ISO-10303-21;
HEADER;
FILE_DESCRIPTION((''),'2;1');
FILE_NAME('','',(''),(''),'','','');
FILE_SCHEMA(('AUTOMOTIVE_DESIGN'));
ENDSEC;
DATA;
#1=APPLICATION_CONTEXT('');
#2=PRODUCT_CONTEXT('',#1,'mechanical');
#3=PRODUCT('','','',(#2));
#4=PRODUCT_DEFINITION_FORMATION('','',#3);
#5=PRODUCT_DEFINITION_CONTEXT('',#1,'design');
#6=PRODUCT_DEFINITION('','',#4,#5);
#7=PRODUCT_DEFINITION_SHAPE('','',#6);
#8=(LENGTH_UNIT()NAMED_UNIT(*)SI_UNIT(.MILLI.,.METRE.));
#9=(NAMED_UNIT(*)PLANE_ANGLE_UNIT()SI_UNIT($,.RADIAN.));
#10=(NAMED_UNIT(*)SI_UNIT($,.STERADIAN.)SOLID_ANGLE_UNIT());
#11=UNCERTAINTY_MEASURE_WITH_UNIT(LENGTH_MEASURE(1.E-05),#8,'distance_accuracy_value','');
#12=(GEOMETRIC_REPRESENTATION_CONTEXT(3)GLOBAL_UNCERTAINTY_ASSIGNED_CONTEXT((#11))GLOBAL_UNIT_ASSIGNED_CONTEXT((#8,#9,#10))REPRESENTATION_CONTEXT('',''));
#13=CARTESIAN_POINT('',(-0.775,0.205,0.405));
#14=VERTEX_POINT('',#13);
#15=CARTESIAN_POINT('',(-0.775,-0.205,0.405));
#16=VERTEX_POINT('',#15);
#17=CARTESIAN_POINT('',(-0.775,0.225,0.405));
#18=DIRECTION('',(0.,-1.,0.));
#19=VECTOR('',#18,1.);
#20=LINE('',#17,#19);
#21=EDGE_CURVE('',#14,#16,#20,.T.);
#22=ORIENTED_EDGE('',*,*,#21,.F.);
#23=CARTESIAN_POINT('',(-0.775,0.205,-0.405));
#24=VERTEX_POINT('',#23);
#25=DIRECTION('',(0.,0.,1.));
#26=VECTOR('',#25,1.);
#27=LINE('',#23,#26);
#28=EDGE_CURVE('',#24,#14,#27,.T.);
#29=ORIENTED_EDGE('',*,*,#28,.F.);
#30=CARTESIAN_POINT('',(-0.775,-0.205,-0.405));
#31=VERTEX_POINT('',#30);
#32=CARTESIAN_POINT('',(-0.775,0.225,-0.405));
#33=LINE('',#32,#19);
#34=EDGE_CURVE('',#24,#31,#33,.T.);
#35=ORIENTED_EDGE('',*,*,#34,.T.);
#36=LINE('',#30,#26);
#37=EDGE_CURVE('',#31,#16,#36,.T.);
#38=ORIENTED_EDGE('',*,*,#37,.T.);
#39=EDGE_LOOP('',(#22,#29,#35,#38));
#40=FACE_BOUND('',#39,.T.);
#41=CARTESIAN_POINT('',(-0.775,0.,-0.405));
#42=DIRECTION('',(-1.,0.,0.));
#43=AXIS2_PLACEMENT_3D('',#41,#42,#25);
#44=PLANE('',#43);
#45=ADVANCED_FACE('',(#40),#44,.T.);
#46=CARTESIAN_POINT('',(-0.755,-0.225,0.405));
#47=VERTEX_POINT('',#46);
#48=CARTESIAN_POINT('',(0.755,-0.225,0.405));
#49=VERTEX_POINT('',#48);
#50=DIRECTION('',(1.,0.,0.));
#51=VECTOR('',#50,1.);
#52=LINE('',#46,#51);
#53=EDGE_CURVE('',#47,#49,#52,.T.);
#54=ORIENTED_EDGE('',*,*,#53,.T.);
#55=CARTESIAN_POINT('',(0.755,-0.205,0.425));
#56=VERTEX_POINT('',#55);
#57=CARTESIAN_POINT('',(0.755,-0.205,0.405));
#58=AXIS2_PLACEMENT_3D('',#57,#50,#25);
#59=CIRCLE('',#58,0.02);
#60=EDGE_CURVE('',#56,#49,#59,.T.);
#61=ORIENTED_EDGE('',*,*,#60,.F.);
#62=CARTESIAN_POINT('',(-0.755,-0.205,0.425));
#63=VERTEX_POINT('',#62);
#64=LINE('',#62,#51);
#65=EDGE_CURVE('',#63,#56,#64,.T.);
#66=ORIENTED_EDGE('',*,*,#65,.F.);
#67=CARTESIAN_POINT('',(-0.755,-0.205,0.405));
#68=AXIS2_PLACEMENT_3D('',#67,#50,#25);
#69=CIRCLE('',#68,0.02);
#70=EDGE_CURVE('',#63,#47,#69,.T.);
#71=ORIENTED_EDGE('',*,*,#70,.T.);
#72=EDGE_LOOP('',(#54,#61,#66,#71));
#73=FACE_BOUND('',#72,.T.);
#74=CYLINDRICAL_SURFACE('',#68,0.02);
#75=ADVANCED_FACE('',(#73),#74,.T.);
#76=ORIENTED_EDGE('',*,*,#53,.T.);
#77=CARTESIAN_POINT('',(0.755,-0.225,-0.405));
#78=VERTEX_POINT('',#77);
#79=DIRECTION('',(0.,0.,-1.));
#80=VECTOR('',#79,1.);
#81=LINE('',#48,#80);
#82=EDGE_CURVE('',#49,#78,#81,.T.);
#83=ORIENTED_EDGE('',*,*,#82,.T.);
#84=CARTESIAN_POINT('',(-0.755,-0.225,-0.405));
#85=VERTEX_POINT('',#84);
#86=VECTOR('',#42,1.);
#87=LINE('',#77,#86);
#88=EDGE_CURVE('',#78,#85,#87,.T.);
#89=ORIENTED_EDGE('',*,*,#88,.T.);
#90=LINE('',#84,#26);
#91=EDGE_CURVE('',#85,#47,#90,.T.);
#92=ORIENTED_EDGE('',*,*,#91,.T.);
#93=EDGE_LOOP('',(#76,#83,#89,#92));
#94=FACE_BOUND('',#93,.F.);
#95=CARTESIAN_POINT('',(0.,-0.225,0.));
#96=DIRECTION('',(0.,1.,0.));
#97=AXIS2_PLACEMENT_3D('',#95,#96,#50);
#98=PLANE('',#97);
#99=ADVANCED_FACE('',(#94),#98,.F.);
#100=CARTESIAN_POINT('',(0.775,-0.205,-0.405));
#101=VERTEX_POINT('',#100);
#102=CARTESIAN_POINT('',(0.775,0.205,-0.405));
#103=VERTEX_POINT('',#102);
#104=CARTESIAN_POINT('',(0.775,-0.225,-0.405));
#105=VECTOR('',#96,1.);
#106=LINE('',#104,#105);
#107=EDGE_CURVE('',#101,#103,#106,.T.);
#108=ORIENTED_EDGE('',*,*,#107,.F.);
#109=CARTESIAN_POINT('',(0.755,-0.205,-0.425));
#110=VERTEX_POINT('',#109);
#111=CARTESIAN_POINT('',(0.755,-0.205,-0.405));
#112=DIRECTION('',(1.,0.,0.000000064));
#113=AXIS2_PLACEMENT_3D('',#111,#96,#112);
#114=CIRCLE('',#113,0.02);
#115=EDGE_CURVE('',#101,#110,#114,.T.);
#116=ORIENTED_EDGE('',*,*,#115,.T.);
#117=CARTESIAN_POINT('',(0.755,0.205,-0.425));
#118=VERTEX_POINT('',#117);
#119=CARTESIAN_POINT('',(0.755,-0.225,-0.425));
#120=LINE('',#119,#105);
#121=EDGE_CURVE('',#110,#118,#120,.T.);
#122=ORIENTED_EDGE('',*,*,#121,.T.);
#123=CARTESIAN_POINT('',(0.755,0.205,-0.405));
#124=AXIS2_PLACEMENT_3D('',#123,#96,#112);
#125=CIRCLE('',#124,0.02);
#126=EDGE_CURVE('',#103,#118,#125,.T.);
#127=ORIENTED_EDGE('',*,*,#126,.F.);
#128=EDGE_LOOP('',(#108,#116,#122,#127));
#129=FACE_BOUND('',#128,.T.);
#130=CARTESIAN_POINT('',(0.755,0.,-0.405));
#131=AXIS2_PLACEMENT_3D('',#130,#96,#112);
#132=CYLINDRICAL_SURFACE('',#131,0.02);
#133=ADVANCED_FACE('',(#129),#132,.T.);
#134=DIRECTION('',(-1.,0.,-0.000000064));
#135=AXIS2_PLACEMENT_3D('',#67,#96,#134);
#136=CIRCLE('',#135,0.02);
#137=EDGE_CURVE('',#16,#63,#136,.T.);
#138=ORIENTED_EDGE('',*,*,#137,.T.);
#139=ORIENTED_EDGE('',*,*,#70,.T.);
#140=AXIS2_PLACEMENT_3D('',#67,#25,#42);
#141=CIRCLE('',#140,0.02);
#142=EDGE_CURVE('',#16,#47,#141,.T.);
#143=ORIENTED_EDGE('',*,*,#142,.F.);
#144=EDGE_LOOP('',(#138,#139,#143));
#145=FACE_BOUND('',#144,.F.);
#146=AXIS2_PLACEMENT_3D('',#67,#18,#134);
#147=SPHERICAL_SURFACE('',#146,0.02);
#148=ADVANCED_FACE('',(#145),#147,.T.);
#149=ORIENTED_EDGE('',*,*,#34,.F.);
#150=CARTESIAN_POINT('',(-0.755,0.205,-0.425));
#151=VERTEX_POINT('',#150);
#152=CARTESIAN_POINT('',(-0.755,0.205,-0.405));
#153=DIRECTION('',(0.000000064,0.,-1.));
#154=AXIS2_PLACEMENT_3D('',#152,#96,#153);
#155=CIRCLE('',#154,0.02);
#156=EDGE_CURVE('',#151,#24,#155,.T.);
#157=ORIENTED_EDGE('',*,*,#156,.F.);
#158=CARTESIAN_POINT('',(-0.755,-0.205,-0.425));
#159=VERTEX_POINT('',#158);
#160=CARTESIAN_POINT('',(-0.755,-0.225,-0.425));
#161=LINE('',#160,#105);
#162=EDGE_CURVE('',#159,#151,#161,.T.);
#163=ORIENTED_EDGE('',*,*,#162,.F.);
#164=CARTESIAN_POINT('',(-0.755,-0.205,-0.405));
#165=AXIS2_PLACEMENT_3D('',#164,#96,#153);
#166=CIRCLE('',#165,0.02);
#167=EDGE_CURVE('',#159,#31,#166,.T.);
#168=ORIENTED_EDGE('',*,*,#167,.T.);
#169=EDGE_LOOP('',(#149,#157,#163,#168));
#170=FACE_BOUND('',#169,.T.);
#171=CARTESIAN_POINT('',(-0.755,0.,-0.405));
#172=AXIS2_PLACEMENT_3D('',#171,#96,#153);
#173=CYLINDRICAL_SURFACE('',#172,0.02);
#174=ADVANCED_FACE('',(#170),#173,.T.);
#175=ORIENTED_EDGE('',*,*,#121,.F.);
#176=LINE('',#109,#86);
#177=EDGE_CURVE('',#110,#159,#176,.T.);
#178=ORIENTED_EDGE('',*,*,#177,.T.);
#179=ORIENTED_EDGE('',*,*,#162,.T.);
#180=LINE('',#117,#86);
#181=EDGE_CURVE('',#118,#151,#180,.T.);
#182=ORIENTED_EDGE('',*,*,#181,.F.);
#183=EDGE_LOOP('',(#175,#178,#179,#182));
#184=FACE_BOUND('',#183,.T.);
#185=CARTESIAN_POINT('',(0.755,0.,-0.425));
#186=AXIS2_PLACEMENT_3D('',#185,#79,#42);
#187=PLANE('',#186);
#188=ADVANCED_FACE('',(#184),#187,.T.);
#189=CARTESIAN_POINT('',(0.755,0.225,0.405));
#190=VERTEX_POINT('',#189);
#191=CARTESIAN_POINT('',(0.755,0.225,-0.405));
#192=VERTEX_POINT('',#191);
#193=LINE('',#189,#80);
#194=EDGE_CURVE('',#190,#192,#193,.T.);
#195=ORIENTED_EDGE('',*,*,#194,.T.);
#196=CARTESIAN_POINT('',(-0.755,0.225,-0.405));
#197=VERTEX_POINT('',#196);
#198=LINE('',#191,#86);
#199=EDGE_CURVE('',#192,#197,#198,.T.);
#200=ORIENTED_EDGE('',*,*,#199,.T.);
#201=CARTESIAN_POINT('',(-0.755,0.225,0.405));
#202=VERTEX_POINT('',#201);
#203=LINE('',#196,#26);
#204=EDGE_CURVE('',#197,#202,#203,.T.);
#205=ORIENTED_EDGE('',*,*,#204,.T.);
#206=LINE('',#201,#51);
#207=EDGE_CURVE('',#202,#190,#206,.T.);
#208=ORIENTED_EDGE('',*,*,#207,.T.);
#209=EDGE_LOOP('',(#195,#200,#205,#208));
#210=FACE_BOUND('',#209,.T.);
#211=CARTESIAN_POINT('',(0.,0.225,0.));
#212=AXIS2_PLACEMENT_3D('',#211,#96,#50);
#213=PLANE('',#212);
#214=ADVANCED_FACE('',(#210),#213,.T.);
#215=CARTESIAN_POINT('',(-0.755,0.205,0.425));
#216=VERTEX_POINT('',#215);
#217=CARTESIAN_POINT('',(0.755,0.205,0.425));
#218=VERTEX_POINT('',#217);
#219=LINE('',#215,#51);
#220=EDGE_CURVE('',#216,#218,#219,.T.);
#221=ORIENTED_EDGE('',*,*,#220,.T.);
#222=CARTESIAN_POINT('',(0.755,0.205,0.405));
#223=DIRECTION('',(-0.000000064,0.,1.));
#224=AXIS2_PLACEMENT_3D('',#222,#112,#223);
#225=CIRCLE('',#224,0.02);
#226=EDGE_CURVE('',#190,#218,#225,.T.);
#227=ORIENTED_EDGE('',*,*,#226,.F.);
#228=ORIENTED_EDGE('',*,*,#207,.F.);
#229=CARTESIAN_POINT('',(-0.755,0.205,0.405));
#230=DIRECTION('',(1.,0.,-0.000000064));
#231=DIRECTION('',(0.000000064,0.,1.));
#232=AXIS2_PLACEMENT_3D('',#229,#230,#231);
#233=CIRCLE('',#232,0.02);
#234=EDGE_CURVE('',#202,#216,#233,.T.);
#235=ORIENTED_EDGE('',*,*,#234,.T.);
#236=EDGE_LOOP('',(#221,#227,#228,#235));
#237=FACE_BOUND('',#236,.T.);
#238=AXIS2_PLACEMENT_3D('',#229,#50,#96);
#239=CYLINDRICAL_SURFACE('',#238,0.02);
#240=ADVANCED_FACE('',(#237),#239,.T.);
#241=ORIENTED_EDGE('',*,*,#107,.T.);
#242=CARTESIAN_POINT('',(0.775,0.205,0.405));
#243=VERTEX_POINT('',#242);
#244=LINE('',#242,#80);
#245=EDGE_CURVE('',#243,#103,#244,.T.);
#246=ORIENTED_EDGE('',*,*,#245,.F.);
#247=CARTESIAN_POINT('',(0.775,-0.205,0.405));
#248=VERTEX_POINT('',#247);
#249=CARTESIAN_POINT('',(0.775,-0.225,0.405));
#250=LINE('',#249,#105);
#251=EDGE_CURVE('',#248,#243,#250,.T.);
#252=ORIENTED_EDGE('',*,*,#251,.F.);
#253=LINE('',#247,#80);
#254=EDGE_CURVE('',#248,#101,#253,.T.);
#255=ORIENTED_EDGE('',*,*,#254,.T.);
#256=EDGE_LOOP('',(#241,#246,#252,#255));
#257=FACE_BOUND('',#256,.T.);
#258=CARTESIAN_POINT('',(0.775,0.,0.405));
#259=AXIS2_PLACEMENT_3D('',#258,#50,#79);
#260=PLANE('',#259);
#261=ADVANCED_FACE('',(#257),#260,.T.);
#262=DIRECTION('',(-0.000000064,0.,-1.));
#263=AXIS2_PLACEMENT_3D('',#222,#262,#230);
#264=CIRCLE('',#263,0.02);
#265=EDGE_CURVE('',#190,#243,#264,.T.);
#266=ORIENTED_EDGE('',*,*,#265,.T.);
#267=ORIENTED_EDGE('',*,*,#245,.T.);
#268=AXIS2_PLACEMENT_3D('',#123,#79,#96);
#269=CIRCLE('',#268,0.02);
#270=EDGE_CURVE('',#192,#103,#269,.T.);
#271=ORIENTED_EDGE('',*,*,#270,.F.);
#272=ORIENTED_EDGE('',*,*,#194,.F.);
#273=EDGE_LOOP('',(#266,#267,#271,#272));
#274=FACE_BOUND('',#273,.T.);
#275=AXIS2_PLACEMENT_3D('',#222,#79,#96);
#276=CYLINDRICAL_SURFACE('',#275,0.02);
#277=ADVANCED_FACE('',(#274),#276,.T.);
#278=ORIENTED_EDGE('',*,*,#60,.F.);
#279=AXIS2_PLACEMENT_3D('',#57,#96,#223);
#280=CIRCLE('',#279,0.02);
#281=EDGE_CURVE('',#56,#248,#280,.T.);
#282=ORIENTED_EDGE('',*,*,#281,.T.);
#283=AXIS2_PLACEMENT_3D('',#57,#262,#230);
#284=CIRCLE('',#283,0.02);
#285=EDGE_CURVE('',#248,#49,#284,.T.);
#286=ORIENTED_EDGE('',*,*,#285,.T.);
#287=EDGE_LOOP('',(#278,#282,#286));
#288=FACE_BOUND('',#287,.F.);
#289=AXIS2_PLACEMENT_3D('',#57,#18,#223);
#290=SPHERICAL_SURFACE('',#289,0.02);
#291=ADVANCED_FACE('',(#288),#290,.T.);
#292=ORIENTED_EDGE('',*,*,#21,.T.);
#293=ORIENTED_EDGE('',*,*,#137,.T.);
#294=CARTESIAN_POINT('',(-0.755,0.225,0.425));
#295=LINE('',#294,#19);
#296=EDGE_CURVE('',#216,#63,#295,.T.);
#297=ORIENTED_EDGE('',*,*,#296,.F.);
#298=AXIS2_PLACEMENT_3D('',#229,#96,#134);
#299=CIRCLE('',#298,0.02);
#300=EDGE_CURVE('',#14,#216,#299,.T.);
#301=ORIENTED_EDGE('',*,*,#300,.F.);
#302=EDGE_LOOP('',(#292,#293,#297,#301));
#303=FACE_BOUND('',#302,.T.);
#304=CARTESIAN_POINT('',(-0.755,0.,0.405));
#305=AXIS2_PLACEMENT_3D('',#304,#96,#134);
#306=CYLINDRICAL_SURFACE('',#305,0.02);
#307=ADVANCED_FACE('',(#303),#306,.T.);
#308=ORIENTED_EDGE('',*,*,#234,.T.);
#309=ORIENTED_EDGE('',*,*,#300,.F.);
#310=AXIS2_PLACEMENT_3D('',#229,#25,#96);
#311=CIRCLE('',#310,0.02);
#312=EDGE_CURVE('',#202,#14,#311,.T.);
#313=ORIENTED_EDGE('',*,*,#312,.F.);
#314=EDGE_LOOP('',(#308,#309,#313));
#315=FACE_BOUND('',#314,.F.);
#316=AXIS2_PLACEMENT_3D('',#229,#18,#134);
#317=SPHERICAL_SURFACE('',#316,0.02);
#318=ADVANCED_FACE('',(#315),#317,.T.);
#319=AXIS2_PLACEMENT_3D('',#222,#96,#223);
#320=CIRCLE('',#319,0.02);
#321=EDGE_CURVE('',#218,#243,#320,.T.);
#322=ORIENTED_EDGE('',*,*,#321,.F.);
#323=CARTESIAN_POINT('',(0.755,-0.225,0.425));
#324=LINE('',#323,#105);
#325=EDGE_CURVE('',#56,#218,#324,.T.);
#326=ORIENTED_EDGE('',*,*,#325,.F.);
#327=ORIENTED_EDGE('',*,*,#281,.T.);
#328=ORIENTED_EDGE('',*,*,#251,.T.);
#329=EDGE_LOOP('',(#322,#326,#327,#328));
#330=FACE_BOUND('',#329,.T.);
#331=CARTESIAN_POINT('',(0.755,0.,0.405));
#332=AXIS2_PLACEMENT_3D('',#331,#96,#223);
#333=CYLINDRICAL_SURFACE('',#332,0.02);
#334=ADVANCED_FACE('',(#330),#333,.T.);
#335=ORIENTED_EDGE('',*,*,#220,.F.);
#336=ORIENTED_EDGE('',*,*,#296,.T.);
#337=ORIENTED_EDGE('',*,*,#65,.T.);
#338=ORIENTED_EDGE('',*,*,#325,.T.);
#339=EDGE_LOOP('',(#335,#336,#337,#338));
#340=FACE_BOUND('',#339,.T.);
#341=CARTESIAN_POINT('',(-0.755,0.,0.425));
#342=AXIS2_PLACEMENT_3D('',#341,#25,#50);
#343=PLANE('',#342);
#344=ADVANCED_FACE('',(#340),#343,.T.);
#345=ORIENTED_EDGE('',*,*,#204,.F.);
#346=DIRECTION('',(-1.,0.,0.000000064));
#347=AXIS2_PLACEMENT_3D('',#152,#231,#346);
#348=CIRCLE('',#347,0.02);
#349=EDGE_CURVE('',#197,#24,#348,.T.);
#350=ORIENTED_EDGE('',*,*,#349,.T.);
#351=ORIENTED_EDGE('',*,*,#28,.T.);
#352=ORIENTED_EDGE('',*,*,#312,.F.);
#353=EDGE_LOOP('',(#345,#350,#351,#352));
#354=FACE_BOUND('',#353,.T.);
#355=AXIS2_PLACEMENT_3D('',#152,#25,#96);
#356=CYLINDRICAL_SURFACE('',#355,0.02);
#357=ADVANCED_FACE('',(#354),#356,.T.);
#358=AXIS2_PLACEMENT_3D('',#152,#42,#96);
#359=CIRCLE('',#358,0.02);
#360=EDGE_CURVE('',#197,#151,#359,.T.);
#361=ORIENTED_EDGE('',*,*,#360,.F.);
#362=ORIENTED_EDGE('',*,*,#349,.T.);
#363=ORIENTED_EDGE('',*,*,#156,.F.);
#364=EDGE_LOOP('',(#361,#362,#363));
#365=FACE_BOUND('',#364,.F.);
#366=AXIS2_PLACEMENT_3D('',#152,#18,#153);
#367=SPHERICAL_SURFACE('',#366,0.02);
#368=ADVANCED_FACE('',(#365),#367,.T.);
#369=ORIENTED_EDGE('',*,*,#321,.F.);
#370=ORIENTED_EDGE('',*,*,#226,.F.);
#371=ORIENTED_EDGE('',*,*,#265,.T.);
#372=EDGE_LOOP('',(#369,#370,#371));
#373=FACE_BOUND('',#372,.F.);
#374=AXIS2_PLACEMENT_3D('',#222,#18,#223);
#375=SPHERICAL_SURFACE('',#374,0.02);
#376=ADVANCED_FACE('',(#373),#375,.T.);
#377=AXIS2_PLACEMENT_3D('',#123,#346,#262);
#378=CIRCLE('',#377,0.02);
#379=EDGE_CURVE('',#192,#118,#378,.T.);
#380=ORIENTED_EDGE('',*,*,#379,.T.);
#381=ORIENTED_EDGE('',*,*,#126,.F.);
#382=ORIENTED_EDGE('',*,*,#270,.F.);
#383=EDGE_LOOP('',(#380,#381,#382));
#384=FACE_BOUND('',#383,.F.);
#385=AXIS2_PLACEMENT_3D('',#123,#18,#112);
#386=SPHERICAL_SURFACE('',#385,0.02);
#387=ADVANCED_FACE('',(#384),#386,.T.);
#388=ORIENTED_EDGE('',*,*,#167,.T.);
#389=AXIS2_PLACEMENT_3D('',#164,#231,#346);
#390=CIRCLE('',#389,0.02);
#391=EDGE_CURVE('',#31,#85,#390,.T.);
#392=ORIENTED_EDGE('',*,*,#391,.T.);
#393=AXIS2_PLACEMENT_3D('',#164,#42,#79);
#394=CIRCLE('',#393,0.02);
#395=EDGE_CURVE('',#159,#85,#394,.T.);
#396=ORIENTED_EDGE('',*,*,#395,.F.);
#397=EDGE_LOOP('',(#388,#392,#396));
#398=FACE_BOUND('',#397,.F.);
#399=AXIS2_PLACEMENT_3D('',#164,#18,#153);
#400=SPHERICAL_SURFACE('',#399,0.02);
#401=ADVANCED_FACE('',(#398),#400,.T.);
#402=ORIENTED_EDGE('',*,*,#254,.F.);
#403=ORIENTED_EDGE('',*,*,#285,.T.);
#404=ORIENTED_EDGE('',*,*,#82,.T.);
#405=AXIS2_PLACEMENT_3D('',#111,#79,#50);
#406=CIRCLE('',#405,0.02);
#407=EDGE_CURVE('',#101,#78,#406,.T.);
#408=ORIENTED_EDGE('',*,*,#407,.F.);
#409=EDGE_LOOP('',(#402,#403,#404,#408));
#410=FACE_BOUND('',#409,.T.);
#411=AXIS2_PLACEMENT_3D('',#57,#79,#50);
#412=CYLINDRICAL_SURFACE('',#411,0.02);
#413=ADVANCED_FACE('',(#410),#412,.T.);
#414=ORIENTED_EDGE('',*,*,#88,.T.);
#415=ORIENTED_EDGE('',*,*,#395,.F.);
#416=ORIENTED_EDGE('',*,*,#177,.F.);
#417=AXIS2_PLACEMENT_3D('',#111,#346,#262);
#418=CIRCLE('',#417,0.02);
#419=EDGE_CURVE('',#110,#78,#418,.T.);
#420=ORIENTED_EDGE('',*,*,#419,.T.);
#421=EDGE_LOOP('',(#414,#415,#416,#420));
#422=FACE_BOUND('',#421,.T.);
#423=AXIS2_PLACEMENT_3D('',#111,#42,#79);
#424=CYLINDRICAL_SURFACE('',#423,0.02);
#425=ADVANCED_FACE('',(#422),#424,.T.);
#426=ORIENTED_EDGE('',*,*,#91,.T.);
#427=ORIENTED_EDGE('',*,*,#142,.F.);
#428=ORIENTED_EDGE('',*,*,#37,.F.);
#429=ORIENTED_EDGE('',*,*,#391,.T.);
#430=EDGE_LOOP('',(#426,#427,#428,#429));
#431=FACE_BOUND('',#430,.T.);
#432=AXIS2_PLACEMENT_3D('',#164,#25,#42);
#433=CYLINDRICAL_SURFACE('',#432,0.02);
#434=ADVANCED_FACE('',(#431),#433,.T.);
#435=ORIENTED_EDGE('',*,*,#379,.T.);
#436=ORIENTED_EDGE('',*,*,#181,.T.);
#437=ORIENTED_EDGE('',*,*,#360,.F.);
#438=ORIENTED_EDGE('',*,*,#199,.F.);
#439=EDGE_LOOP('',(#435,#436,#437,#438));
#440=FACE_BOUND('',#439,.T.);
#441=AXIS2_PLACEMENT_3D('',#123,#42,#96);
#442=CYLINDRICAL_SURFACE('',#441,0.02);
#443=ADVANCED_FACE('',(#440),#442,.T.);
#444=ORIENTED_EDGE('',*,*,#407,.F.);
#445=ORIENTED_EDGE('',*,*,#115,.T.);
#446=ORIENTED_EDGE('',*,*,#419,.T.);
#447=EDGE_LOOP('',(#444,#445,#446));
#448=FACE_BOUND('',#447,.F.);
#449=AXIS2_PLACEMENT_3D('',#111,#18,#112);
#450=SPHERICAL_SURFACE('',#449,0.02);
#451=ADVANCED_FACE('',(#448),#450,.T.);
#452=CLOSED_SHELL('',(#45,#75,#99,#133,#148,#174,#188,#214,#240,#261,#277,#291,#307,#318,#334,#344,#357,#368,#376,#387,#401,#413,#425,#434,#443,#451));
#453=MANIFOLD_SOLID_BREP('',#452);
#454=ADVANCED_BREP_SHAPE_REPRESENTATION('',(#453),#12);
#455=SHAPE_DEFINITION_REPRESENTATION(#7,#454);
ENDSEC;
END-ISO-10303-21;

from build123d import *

# Parameters (mm, degrees)
BOSS_EXTRUDE1_DEPTH = 0.225
FILLET2_R           = 0.02


with BuildPart() as part:
    # Sketch1 → Boss-Extrude1 (new, symmetric)
    with BuildSketch(Plane(origin=(0, 0, 0), x_dir=(1, 0, 0), z_dir=(0, 1, 0))):
        with BuildLine():
            Line((-0.755, -0.425), (0.755, -0.425))
            ThreePointArc((0.755, -0.425), (0.769142136, -0.419142136), (0.775, -0.405))
            Line((0.775, -0.405), (0.775, 0.405))
            ThreePointArc((0.775, 0.405), (0.769142136, 0.419142136), (0.755, 0.425))
            Line((0.755, 0.425), (-0.755, 0.425))
            ThreePointArc((-0.755, 0.425), (-0.769142136, 0.419142136), (-0.775, 0.405))
            Line((-0.775, 0.405), (-0.775, -0.405))
            ThreePointArc((-0.775, -0.405), (-0.769142136, -0.419142136), (-0.755, -0.425))
        make_face()
    extrude(amount=BOSS_EXTRUDE1_DEPTH, both=True)

    # Fillet2
    fillet2_edges = [part.edges().sort_by_distance(p)[0] for p in [
        (0.769142136, 0.225, 0.419142136),
        (0, -0.225, 0.425),
        (-0.769142136, -0.225, 0.419142136),
        (0, 0.225, 0.425),
        (0, 0.225, -0.425),
        (0, 0.225, -0.425),
        (0, 0.225, 0.425),
        (0.775, 0.225, 0),
        (0, -0.225, 0.425),
        (0, -0.225, 0.425),
        (0, -0.225, -0.425),
        (0, -0.225, -0.425),
        (0.769142136, 0.225, -0.419142136),
        (0, 0.225, -0.425),
        (-0.769142136, 0.225, -0.419142136),
        (-0.775, 0.225, 0),
        (-0.769142136, 0.225, 0.419142136),
        (0, 0.225, 0.425),
        (-0.775, -0.225, 0),
        (-0.769142136, -0.225, -0.419142136),
        (0, -0.225, -0.425),
        (0.769142136, -0.225, -0.419142136),
        (0.775, -0.225, 0),
        (0.769142136, -0.225, 0.419142136),
    ]]
    fillet(fillet2_edges, radius=FILLET2_R)


solid = part.part
